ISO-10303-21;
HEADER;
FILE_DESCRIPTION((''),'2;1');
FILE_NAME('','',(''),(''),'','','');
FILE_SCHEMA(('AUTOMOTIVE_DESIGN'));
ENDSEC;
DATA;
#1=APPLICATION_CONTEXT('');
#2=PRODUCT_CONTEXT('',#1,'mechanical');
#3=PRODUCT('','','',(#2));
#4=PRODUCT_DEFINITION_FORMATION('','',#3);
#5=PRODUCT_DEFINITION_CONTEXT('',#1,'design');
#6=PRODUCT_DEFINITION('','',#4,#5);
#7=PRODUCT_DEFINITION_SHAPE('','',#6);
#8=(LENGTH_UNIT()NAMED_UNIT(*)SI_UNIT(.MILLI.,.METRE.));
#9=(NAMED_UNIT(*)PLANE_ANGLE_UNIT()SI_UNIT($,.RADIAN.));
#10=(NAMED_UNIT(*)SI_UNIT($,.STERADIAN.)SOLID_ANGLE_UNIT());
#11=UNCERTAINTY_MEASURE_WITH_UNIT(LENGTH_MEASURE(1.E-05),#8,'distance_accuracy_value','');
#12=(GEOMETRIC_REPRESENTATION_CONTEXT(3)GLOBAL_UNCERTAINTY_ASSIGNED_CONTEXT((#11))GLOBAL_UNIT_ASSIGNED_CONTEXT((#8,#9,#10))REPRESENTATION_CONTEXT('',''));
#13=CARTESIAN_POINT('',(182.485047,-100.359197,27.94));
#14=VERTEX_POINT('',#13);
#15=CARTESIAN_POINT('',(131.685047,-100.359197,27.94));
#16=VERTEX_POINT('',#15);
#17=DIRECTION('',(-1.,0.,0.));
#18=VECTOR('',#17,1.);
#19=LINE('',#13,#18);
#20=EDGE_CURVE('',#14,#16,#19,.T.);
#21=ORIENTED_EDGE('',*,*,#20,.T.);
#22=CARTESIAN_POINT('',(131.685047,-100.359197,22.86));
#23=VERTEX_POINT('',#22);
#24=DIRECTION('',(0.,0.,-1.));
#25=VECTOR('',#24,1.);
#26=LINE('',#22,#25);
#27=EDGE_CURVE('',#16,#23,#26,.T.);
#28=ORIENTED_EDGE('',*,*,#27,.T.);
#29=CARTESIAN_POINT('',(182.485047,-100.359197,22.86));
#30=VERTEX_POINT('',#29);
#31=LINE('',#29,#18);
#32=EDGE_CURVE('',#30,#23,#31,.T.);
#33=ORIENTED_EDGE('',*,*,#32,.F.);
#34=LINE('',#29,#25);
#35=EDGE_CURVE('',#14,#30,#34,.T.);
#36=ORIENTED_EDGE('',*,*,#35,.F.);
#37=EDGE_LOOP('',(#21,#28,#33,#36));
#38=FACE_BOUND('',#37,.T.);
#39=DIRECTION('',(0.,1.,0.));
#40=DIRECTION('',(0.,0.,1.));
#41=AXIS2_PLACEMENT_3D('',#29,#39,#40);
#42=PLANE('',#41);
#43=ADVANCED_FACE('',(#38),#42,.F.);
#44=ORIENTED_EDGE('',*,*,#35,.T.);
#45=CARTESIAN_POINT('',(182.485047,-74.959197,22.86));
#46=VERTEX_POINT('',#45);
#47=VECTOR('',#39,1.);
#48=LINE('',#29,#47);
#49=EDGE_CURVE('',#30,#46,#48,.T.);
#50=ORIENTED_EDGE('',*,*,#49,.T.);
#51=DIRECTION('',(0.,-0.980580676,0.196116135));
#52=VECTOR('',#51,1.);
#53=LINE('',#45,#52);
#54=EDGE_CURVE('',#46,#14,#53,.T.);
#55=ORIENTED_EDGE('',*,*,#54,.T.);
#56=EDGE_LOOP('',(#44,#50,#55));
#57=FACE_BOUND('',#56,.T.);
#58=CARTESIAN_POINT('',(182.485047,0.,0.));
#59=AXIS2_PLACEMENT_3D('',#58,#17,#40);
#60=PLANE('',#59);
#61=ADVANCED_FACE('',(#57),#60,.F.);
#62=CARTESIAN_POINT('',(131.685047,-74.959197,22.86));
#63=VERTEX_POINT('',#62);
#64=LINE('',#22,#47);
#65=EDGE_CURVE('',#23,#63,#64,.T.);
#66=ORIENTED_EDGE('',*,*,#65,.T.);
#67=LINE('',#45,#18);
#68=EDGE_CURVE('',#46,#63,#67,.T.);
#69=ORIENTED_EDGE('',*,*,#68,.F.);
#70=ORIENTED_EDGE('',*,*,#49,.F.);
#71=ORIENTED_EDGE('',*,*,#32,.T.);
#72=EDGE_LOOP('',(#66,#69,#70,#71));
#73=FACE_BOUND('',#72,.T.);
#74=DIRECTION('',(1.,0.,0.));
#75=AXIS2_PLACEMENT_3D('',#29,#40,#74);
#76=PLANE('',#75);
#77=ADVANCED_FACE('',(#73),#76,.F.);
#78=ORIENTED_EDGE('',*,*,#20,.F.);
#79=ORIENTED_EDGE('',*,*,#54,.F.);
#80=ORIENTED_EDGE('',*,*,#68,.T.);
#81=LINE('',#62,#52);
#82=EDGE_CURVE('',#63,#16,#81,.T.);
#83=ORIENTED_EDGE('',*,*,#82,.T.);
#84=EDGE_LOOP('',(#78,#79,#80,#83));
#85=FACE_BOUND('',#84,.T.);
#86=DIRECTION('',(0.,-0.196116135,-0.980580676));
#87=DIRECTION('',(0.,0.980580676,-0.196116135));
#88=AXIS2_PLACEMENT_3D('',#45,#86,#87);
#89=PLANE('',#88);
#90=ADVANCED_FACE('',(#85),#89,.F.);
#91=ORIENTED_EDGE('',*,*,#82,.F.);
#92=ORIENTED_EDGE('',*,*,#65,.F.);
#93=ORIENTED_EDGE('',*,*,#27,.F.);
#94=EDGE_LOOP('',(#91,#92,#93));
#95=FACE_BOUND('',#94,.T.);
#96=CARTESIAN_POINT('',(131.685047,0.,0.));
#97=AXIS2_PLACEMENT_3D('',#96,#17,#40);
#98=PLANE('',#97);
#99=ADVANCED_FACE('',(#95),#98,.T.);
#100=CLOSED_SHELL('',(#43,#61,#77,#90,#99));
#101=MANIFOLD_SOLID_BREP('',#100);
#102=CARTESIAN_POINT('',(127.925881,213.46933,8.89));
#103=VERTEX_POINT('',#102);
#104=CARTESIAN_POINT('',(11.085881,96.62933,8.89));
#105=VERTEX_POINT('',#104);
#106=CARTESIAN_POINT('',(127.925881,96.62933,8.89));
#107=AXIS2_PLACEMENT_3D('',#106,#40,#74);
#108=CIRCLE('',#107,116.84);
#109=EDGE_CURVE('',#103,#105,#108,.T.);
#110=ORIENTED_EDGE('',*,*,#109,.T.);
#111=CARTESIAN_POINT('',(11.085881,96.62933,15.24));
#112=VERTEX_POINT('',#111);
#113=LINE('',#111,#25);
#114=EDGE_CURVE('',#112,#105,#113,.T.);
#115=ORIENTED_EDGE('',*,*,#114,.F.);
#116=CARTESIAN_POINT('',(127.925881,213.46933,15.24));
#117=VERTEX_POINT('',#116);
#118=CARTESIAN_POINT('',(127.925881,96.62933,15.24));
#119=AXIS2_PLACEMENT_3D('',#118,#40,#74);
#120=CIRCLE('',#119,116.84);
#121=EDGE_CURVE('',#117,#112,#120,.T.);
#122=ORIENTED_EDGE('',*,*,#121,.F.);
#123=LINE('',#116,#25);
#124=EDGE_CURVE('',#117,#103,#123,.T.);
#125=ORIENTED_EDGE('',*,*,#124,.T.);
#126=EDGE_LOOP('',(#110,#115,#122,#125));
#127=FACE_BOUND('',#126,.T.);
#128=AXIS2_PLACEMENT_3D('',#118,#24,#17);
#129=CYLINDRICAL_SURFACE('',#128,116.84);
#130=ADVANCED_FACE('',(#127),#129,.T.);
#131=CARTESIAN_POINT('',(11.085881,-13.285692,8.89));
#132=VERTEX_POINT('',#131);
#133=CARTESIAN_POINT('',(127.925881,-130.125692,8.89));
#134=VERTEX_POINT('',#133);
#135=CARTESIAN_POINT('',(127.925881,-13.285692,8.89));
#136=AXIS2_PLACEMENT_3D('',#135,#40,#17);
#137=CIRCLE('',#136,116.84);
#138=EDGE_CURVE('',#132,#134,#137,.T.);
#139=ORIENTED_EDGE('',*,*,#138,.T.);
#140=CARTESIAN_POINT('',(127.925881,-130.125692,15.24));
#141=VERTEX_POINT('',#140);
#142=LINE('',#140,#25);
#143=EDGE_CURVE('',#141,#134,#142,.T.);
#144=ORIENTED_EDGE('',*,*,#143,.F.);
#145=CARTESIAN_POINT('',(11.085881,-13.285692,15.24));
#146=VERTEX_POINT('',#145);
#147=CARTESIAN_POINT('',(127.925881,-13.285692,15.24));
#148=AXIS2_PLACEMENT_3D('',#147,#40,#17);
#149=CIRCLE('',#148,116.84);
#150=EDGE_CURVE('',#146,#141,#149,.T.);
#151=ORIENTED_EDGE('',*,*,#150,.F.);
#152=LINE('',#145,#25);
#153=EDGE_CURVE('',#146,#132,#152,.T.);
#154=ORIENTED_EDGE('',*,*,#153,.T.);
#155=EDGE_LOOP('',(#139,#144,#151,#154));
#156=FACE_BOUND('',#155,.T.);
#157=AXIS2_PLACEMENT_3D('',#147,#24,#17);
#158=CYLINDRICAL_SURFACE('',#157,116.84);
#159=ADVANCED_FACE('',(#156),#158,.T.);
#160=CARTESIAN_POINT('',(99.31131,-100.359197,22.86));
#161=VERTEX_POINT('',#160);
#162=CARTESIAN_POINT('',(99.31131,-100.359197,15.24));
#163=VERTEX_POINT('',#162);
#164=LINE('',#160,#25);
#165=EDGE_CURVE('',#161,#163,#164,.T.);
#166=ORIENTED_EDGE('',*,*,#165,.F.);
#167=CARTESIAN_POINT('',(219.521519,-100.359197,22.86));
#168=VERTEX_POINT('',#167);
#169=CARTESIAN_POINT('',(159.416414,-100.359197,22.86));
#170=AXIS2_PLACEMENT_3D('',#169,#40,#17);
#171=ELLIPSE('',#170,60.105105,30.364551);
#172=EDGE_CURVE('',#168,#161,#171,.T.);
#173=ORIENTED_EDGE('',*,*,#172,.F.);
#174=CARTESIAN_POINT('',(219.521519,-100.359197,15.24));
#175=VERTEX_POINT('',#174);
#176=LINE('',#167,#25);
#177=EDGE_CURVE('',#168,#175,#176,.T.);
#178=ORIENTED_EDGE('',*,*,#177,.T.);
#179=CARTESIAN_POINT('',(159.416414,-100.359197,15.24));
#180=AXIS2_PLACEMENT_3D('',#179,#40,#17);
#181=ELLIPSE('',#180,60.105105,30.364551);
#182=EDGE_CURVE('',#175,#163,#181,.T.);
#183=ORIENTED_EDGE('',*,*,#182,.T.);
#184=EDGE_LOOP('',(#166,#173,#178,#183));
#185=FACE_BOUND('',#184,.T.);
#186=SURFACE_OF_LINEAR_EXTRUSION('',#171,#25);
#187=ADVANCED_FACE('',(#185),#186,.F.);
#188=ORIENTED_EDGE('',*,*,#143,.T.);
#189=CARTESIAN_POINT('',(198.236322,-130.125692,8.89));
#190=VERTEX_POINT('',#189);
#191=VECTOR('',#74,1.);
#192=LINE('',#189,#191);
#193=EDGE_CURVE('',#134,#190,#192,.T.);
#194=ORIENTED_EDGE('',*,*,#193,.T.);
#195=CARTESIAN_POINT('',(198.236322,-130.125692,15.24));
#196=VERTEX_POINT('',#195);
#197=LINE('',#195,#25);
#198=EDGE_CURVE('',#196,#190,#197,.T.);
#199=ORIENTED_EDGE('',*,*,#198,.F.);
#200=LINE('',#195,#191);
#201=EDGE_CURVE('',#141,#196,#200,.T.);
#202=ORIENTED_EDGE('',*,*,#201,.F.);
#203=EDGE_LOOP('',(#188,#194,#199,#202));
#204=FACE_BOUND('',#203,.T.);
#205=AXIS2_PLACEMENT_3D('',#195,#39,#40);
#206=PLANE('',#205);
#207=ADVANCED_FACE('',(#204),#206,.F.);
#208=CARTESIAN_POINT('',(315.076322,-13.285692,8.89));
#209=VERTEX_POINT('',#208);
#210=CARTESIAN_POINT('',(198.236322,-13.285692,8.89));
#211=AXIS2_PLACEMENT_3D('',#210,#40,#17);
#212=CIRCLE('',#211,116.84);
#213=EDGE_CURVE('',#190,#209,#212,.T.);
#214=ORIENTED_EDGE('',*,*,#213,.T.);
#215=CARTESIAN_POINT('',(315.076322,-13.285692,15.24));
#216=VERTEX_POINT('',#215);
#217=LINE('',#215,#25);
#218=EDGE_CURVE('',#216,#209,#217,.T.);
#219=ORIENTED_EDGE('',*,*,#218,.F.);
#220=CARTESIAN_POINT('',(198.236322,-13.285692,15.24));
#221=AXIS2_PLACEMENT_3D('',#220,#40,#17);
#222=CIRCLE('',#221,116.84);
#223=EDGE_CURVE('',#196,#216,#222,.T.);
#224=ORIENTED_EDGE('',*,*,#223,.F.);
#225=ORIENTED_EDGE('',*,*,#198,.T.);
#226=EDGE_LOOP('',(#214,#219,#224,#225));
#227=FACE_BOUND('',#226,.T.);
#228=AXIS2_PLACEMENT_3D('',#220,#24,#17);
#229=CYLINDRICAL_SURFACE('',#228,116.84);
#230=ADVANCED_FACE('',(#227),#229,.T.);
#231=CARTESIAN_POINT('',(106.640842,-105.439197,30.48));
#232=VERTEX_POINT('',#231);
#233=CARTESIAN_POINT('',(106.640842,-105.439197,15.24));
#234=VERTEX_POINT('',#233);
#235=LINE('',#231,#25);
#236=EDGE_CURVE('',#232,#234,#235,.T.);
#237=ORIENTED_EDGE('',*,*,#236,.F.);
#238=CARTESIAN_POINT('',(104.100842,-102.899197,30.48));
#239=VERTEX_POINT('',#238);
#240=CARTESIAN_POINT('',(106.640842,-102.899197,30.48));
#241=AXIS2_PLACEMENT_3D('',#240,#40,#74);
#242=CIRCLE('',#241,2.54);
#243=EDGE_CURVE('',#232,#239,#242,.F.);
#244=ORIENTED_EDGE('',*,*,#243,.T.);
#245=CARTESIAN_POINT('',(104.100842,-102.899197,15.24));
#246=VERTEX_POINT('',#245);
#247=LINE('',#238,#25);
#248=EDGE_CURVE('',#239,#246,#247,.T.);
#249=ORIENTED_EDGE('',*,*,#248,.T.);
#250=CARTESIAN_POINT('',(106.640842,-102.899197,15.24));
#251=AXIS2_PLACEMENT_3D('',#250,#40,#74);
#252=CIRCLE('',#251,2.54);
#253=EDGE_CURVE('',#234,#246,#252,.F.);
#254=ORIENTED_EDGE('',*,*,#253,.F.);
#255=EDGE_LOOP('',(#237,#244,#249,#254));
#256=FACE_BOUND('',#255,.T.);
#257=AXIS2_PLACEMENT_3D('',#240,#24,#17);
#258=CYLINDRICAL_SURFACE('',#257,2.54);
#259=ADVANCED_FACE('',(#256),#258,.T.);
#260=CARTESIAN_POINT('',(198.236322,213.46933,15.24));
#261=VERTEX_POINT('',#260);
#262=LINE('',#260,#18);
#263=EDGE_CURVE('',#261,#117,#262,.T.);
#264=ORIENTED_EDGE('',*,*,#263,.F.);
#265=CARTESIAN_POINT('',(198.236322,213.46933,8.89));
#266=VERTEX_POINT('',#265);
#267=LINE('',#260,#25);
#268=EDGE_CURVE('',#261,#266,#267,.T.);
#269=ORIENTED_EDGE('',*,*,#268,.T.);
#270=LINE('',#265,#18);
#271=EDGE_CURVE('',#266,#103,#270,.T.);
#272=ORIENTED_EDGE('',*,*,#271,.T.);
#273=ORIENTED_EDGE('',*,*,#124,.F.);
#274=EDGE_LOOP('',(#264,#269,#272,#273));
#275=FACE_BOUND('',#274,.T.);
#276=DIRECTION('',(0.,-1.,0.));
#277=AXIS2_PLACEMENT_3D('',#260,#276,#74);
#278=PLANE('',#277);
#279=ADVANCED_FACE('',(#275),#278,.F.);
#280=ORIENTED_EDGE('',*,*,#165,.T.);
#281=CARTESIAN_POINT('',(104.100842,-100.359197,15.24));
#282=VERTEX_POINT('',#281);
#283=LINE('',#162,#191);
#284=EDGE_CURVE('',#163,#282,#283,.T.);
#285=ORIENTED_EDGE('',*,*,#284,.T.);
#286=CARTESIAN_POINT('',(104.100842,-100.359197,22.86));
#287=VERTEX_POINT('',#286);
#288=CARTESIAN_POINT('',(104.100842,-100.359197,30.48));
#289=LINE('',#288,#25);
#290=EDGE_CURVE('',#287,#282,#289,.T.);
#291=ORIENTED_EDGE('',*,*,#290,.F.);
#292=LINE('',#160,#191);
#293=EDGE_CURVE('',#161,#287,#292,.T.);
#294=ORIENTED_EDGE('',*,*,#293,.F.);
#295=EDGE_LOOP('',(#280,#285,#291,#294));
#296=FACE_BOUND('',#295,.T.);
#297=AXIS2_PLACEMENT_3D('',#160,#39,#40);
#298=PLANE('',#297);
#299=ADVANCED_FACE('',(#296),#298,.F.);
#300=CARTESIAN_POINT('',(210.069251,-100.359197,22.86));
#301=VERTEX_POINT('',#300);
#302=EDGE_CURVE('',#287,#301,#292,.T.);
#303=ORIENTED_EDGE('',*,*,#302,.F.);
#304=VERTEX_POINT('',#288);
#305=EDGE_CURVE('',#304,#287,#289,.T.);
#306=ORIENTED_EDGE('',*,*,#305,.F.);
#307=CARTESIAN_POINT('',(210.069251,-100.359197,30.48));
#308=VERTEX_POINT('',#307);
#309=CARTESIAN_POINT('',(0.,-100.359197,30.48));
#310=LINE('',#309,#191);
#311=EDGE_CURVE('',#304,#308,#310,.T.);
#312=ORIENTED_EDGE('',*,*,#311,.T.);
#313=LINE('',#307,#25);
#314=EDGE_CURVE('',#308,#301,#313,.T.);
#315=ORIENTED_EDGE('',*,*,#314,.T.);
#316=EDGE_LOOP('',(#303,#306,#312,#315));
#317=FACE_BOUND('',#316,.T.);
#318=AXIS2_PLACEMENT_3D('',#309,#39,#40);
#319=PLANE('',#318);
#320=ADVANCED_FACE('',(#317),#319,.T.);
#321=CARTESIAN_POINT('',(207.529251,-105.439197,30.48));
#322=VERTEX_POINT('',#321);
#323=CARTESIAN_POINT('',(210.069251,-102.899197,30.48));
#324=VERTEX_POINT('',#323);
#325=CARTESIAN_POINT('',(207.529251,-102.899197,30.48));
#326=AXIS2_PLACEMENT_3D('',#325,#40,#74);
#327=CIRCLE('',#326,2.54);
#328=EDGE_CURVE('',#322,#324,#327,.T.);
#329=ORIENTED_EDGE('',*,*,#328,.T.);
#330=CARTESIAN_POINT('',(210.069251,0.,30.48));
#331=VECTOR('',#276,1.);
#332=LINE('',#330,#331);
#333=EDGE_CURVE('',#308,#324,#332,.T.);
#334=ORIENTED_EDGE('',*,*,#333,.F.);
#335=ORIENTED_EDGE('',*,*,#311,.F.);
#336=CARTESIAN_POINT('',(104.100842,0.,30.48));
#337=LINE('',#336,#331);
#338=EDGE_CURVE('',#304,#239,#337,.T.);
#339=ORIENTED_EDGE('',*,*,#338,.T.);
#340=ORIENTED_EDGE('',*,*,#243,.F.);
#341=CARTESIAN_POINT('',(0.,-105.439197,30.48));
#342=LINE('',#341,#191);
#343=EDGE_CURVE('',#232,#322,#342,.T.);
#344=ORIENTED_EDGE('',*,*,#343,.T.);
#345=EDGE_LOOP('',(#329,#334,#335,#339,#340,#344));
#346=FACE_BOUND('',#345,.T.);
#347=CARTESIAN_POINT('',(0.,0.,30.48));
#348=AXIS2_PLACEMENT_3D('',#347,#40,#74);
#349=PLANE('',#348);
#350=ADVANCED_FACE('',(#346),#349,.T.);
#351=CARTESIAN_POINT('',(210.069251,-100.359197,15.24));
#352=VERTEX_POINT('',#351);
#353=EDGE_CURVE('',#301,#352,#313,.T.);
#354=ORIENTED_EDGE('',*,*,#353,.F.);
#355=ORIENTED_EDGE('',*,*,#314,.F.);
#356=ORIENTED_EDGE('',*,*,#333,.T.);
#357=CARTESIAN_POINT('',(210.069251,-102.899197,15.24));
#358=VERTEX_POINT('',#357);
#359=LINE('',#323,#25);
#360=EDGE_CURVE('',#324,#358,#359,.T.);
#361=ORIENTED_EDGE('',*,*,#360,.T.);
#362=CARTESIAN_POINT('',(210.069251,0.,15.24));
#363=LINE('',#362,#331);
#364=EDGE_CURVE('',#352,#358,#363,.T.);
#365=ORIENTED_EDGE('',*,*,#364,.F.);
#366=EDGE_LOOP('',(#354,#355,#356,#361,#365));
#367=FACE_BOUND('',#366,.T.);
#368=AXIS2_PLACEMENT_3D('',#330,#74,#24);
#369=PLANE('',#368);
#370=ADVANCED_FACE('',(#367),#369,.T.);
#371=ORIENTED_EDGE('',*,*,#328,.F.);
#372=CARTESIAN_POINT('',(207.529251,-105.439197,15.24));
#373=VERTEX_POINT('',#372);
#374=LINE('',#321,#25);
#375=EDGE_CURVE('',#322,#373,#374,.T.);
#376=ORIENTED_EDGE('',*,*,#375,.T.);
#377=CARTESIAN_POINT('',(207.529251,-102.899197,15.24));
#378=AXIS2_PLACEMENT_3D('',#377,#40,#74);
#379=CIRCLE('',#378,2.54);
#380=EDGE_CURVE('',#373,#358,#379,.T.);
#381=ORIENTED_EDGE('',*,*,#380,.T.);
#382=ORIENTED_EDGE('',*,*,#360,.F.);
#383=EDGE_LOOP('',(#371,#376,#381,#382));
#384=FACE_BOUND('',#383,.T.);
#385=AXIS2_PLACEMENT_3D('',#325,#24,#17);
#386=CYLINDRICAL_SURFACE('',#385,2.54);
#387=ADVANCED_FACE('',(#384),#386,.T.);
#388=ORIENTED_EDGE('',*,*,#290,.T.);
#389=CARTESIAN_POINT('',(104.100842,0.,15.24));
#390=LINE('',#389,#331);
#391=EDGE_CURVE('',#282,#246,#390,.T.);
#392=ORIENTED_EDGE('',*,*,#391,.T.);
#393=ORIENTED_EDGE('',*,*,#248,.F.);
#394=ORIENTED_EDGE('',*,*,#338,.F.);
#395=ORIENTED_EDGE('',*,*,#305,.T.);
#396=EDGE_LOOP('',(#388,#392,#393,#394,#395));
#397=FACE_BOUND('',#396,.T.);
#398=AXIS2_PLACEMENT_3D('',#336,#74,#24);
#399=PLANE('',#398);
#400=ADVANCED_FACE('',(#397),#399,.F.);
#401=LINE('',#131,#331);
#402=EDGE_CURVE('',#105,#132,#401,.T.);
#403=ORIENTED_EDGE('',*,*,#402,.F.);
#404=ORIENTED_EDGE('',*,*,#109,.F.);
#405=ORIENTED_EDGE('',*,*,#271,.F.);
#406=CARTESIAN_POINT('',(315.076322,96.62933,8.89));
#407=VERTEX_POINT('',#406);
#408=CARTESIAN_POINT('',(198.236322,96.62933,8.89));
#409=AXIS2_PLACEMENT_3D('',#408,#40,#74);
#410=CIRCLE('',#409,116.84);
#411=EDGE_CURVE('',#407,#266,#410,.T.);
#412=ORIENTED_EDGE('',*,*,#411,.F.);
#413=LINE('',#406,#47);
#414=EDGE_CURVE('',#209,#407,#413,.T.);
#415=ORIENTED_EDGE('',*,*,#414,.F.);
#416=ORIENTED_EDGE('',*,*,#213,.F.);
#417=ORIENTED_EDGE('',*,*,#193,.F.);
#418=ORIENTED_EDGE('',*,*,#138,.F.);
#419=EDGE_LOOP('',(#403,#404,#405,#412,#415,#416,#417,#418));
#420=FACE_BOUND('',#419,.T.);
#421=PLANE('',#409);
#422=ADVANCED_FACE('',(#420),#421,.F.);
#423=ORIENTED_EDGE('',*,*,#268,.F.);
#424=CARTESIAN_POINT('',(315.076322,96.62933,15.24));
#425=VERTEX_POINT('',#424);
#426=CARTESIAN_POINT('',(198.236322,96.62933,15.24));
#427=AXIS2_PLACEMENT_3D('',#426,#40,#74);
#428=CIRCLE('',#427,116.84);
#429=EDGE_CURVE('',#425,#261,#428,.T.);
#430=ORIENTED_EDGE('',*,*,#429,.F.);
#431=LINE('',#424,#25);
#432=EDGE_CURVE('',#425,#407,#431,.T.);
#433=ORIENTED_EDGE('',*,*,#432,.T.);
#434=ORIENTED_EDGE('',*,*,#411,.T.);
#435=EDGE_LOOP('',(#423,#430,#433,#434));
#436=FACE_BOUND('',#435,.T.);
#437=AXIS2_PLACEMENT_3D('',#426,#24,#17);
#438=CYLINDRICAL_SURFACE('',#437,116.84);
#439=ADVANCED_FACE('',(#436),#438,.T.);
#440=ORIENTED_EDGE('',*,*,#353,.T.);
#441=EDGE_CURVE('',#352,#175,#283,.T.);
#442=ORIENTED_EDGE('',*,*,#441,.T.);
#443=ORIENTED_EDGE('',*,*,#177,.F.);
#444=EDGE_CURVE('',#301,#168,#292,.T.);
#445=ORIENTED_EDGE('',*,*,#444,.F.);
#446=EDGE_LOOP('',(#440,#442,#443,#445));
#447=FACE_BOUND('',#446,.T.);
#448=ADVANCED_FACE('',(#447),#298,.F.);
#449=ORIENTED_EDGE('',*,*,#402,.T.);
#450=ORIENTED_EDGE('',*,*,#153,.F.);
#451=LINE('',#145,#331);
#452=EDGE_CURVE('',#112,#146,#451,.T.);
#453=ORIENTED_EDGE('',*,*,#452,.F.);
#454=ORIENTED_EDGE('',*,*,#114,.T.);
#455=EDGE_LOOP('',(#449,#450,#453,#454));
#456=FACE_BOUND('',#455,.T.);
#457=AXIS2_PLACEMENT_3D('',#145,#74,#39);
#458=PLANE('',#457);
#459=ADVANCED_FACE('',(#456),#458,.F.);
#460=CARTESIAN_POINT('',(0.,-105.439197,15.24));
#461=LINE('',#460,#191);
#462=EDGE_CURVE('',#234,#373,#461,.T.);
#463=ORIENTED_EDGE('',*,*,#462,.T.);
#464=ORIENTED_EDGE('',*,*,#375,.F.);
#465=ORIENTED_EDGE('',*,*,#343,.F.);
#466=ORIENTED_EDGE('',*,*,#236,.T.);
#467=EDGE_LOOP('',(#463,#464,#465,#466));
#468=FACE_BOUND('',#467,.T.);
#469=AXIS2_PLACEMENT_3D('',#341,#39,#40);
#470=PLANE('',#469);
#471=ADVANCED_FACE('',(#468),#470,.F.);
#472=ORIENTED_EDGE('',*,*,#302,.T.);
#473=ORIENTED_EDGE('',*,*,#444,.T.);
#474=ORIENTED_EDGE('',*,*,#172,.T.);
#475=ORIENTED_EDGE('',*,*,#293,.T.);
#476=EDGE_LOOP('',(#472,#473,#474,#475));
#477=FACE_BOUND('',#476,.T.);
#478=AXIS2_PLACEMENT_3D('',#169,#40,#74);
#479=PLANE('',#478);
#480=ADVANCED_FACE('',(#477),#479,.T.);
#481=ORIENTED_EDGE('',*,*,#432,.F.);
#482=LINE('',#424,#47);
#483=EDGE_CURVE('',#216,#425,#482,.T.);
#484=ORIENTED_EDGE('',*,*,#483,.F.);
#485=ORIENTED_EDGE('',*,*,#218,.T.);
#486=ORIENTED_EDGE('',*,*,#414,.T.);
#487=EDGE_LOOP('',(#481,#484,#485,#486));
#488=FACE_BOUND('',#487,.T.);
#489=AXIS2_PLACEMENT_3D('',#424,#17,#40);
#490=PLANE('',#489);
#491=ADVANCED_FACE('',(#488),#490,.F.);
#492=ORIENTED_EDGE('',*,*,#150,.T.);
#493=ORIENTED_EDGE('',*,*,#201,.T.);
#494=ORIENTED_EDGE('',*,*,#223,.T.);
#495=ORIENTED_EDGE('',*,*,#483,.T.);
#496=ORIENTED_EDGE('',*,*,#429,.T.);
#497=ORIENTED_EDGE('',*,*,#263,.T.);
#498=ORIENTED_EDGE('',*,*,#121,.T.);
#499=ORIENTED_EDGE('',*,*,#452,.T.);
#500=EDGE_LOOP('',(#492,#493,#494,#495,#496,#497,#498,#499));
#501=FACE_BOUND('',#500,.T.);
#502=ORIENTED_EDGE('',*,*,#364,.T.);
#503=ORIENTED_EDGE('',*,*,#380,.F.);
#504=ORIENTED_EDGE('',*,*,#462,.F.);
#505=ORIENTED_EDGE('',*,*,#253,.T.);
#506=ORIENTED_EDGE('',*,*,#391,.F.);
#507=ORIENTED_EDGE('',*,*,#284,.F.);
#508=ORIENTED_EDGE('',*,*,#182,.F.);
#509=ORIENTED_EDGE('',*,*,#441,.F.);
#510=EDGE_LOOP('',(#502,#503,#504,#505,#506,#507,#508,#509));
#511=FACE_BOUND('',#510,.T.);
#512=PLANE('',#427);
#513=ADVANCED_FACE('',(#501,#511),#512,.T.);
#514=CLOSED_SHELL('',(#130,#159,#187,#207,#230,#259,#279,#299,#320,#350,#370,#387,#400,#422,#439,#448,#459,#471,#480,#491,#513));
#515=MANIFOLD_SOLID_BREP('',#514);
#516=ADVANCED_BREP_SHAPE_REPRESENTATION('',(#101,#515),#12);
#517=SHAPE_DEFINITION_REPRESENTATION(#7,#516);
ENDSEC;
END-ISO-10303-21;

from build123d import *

# Parameters (mm, degrees)
BOSS_EXTRUDE3_DEPTH = 6.35
BOSS_EXTRUDE4_DEPTH = 7.62
BOSS_EXTRUDE5_DEPTH = 15.24
GUSSET1_THICKNESS   = 50.8


with BuildPart() as part:
    # Sketch14 → Boss-Extrude3 (new body)
    with BuildSketch(Plane.XY.offset(8.89)):
        with BuildLine():
            Line((198.236322144, 213.469330483), (127.925881088, 213.469330483))
            ThreePointArc((127.925881088, 213.469330483), (45.307524774, 179.247686797), (11.085881088, 96.629330483))
            Line((11.085881088, 96.629330483), (11.085881088, -13.285692494))
            ThreePointArc((11.085881088, -13.285692494), (45.307524774, -95.904048808), (127.925881088, -130.125692494))
            Line((127.925881088, -130.125692494), (198.236322144, -130.125692494))
            ThreePointArc((198.236322144, -130.125692494), (280.854678457, -95.904048808), (315.076322144, -13.285692494))
            Line((315.076322144, -13.285692494), (315.076322144, 96.629330483))
            ThreePointArc((315.076322144, 96.629330483), (280.854678457, 179.247686797), (198.236322144, 213.469330483))
        make_face()
    extrude(amount=BOSS_EXTRUDE3_DEPTH)

    # Sketch15 → Boss-Extrude4 (add)
    with BuildSketch(Plane.XY.offset(15.24)):
        with BuildLine():
            Line((99.311309815, -100.359196716), (219.521518968, -100.359196716))
            add(Edge.make_bspline(
                [(219.521518968, -100.359196716), (219.521518968, -69.99464543), (159.416414392, -69.99464543), (99.311309815, -69.99464543), (99.311309815, -100.359196716)],
                knots=[3.141592654, 3.141592654, 3.141592654, 4.71238898, 4.71238898, 6.283185307, 6.283185307, 6.283185307], degree=2, weights=[1, 0.707106781, 1, 0.707106781, 1]))
        make_face()
    extrude(amount=BOSS_EXTRUDE4_DEPTH)

    # Sketch15<3> → Boss-Extrude5 (add)
    with BuildSketch(Plane.XY.offset(15.24)):
        with BuildLine():
            Line((210.069251259, -100.359196716), (104.100842418, -100.359196716))
            Line((104.100842418, -100.359196716), (104.100842418, -102.899196716))
            ThreePointArc((104.100842418, -102.899196716), (104.844791194, -104.69524794), (106.640842418, -105.439196716))
            Line((106.640842418, -105.439196716), (207.529251259, -105.439196716))
            ThreePointArc((207.529251259, -105.439196716), (209.325302483, -104.69524794), (210.069251259, -102.899196716))
            Line((210.069251259, -102.899196716), (210.069251259, -100.359196716))
        make_face()
    extrude(amount=BOSS_EXTRUDE5_DEPTH)


with BuildPart() as body_2:
    # Gusset1: a gusset: a plate 50.8 thick in the corner of two members, its outline drawn in place
    gusset1_outline = Wire([Line((182.485046839, -100.359196716, 22.86), (182.485046839, -74.959196716, 22.86)), Line((182.485046839, -74.959196716, 22.86), (182.485046839, -100.359196716, 27.94)), Line((182.485046839, -100.359196716, 27.94), (182.485046839, -100.359196716, 22.86))])
    add(extrude(Face(gusset1_outline), amount=GUSSET1_THICKNESS, dir=(-1, 0, 0)))


solid = Compound([part.part, body_2.part])
